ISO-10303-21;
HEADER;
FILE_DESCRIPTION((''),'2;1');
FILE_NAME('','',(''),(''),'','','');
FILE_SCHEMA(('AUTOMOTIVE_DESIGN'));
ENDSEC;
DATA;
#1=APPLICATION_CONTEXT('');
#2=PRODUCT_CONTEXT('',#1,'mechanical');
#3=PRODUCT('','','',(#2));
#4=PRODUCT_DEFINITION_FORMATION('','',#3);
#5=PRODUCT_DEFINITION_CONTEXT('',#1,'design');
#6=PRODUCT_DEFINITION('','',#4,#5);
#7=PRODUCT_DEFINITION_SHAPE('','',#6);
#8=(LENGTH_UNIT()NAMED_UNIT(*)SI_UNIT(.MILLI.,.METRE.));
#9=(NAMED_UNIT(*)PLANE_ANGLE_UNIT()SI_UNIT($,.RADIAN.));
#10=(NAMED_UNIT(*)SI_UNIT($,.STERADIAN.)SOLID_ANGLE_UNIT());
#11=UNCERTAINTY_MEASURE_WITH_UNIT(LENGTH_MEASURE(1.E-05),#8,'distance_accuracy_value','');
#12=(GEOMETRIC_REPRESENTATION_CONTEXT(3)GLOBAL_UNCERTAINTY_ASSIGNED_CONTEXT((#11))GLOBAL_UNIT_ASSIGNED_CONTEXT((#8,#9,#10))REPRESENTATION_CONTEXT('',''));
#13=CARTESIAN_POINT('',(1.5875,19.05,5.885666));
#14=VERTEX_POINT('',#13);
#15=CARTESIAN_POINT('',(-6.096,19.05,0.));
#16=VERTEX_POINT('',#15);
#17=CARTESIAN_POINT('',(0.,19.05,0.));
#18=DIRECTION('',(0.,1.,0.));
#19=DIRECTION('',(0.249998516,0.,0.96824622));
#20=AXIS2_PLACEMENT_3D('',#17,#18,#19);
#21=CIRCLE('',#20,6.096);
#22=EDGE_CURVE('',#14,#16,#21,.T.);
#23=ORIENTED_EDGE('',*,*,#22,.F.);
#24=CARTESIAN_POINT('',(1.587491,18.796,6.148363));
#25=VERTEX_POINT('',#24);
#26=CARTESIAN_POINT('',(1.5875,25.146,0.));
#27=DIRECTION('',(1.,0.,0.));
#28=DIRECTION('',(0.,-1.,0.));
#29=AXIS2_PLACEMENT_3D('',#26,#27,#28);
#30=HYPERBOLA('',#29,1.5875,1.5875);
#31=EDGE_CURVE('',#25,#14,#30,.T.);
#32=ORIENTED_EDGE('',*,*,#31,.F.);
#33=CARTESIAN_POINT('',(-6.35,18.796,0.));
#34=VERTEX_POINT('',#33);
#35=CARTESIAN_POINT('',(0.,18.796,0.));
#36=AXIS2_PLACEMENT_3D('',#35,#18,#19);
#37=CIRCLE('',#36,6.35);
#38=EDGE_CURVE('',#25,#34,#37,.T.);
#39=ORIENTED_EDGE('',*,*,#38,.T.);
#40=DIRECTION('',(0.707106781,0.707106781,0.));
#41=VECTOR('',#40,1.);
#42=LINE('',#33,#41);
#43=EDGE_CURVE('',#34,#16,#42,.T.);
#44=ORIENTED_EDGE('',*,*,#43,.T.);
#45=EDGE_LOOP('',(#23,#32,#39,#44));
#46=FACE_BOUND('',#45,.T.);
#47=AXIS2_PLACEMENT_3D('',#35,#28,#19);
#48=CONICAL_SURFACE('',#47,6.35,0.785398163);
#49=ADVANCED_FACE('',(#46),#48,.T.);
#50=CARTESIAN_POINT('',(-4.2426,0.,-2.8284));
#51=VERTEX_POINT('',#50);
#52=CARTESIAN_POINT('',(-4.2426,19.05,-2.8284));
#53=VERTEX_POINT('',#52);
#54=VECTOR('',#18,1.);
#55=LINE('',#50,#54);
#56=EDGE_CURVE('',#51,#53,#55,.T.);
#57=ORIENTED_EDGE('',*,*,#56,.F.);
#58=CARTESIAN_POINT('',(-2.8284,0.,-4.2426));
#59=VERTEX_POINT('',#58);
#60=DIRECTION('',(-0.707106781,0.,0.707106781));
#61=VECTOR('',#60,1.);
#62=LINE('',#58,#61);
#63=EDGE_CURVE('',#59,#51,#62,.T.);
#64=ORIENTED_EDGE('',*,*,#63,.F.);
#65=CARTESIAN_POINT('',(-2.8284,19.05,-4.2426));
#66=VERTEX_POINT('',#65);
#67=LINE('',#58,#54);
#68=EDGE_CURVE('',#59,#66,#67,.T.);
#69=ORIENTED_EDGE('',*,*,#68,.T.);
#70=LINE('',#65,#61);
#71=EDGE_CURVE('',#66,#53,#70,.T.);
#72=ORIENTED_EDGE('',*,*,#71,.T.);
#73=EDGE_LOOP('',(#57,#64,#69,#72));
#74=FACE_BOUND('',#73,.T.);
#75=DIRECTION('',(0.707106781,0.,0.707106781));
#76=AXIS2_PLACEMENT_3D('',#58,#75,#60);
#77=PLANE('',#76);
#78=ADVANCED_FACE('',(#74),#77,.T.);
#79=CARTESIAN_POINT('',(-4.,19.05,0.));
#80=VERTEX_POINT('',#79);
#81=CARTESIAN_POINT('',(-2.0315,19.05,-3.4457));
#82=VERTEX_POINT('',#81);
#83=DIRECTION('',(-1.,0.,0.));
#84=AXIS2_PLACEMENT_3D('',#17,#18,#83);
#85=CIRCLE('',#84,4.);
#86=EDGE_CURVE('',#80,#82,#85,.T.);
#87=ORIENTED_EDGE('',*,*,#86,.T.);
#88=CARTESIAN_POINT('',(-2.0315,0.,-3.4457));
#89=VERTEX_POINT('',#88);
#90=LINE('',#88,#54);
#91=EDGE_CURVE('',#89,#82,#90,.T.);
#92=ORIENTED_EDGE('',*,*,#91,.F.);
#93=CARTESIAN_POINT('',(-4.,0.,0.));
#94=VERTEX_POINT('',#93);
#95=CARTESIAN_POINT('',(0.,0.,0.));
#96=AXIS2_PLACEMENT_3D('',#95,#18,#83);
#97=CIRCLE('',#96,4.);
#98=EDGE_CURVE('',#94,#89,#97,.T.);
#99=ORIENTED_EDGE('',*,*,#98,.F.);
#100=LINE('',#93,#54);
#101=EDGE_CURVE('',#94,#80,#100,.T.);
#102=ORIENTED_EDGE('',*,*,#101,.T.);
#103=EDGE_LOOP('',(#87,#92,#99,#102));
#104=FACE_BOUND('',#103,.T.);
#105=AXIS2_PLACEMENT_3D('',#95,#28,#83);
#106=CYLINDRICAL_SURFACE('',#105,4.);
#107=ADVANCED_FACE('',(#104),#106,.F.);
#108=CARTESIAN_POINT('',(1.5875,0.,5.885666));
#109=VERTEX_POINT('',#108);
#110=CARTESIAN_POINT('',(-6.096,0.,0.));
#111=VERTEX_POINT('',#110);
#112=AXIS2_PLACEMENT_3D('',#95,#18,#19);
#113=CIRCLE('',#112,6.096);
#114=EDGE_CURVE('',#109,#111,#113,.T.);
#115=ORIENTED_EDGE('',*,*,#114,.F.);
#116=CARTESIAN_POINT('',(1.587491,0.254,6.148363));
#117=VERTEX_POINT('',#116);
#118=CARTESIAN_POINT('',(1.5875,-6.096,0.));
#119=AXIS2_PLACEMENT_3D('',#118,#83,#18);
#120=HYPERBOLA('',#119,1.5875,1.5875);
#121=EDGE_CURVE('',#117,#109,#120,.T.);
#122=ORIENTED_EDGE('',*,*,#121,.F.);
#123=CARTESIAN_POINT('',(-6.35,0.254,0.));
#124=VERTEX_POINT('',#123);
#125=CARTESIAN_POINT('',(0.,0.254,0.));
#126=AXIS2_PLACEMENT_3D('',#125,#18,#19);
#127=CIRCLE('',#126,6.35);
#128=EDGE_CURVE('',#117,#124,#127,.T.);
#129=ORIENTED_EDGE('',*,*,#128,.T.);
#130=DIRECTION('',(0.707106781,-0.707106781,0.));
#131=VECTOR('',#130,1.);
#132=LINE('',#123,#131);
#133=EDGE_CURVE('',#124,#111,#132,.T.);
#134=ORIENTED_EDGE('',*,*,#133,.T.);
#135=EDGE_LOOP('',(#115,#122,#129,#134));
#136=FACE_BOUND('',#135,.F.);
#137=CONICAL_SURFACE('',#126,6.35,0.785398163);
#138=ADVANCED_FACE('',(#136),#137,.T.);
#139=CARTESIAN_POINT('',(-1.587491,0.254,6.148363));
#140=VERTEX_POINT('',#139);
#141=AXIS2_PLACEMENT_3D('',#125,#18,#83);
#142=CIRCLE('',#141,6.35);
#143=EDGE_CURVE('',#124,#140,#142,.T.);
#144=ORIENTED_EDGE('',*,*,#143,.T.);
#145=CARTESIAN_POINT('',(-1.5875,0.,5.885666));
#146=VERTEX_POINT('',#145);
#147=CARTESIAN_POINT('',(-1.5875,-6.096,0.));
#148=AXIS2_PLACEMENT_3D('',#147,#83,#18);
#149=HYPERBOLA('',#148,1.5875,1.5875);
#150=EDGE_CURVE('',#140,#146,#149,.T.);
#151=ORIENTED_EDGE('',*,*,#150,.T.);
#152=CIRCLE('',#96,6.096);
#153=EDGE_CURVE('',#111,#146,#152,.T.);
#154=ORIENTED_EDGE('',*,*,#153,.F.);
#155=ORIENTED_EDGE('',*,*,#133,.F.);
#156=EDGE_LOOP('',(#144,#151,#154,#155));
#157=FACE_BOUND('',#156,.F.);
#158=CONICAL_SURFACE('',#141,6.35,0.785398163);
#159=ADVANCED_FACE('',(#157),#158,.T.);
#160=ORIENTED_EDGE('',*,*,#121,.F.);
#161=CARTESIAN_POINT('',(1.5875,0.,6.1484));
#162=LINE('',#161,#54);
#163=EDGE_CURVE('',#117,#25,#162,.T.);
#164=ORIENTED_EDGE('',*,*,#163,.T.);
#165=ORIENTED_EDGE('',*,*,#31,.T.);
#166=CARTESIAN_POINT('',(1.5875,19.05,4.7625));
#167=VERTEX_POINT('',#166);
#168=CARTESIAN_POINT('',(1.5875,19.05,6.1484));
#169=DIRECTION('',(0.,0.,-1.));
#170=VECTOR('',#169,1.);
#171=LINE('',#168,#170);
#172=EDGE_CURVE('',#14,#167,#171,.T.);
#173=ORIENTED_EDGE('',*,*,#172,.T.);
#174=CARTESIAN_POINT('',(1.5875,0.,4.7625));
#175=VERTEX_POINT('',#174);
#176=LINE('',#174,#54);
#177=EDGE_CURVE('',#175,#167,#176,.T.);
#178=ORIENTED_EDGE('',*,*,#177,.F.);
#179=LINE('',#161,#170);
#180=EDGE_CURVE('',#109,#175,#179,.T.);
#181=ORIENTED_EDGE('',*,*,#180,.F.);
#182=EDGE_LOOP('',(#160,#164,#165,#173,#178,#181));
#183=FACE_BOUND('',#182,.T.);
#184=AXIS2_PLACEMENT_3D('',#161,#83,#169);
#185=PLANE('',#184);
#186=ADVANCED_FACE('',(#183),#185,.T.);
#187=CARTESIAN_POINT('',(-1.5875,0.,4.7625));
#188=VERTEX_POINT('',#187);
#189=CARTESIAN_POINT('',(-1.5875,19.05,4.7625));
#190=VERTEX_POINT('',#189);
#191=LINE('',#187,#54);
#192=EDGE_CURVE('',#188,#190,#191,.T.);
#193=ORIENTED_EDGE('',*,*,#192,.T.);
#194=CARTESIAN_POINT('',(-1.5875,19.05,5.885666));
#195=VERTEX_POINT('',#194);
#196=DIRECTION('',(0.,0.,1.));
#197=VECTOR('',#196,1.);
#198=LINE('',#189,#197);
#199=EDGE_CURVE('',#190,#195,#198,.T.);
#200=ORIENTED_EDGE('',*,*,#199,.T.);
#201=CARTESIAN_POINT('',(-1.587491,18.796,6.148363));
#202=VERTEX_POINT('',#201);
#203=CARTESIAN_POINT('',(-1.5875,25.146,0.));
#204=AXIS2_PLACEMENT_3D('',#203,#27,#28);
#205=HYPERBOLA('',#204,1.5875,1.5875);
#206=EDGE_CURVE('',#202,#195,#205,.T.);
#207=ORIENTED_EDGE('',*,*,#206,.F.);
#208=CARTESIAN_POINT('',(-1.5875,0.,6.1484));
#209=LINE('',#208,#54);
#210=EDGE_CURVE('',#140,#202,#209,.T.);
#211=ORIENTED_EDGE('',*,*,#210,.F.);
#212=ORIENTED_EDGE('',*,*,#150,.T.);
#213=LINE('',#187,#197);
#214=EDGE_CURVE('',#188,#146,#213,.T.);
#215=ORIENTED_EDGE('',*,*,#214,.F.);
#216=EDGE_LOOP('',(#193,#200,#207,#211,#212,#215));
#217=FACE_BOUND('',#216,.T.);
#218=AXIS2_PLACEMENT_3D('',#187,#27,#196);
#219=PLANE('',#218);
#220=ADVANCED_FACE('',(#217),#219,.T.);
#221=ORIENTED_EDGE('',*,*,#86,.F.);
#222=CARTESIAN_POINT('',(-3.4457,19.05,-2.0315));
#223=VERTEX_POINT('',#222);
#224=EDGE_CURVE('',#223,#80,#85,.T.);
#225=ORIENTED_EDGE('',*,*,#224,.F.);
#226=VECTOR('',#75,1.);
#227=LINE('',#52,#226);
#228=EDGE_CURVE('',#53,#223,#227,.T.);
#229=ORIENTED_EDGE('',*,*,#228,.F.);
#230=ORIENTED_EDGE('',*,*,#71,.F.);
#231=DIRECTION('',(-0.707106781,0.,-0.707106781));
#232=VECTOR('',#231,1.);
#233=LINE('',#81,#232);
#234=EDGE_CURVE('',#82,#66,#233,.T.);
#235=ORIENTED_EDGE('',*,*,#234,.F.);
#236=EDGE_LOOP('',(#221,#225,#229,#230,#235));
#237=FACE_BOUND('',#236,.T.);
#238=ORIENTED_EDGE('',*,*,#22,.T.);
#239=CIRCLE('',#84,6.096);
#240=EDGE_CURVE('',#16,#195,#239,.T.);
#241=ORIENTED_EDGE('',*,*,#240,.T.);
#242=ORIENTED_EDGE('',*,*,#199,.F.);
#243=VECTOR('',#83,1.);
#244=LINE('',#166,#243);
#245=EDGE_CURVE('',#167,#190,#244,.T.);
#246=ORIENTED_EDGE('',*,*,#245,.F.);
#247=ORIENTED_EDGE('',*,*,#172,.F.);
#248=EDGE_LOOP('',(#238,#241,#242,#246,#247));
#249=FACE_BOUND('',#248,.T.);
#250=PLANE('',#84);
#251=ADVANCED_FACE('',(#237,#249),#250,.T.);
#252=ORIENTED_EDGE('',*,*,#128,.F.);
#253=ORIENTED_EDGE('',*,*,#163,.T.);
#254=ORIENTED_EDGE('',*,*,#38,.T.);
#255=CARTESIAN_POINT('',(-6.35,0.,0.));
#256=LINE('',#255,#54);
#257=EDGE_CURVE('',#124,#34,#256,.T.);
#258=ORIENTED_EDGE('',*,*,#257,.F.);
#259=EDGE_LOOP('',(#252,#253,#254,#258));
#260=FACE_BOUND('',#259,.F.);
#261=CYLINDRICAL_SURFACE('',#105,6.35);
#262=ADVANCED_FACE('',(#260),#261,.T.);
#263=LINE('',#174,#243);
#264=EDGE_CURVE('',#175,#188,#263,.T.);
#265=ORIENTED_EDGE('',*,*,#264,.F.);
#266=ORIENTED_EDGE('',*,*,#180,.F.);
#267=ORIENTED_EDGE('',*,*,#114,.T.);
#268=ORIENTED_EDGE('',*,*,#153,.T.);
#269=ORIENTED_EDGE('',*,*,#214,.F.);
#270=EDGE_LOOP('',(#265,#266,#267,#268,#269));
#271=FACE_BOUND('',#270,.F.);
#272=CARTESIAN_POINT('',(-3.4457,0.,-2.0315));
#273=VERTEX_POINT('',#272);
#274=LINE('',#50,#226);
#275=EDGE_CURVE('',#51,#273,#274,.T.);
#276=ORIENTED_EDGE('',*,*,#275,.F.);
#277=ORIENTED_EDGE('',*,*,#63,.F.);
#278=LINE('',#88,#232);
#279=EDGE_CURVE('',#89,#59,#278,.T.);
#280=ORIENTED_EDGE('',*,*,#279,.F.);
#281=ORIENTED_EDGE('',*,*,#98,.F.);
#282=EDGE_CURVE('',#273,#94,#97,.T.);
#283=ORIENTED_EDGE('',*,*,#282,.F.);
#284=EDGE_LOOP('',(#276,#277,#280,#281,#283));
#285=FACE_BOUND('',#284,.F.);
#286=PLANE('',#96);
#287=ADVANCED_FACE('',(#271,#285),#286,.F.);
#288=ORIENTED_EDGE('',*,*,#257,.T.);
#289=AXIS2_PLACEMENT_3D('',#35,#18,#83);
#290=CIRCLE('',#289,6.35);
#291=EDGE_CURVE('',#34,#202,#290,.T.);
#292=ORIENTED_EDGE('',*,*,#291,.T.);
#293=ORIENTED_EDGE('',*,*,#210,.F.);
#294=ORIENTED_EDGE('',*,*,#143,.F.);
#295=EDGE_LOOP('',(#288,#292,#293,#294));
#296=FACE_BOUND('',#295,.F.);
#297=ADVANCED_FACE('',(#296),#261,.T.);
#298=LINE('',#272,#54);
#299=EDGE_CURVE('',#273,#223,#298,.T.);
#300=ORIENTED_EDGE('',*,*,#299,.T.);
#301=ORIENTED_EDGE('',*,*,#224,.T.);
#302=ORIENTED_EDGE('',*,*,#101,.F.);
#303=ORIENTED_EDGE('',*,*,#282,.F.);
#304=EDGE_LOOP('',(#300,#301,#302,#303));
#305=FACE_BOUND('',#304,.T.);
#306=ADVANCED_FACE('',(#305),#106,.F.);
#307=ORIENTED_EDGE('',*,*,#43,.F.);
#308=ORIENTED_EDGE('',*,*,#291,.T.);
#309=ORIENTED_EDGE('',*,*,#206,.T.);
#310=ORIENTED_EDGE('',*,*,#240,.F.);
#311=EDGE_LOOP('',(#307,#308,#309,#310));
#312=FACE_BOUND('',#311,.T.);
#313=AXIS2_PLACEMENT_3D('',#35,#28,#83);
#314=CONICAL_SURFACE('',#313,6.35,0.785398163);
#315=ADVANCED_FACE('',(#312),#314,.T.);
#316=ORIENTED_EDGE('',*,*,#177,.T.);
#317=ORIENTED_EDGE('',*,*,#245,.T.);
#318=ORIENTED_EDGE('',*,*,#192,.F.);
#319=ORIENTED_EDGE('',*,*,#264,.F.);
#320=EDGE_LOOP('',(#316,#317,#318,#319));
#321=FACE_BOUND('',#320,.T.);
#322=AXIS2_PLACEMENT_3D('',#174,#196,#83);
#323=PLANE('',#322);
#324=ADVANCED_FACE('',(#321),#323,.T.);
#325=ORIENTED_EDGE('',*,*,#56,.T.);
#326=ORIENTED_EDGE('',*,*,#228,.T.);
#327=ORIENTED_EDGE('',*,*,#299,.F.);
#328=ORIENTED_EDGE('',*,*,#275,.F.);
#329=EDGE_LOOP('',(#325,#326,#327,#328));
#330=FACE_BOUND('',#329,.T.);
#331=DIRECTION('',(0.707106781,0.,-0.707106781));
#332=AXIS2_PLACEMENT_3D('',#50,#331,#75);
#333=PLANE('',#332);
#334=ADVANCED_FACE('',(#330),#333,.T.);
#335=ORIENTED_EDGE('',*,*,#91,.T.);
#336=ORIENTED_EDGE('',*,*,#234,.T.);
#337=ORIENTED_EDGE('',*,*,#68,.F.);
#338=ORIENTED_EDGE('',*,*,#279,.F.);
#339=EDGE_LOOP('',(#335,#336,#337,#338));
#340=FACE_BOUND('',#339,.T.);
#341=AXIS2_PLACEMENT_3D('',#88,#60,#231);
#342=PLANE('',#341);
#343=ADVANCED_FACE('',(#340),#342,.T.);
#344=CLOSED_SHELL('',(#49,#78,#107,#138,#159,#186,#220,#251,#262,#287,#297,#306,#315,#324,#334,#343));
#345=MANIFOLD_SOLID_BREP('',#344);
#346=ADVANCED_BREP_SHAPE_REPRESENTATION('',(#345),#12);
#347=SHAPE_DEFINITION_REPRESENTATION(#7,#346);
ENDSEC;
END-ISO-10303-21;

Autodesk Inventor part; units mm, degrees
ref_plane "YZ Plane" through (0, 0, 0) normal (1, 0, 0) x (0, 1, 0)
ref_plane "XZ Plane" through (0, 0, 0) normal (0, 1, 0) x (-1, 0, 0)
ref_plane "XY Plane" through (0, 0, 0) normal (0, 0, 1) x (1, 0, 0)
sketch "Sketch1" plane through (0, 0, 0) normal (0, 1, 0) x (-1, 0, 0)
  circle A0 centre (0, 0) radius 6.35
  circle A1 centre (0, 0) radius 4
  line L0 (-1.5875, 6.1484) -> (-1.5875, 4.7625)
  line L1 (-1.5875, 4.7625) -> (1.5875, 4.7625)
  line L2 (1.5875, 4.7625) -> (1.5875, 6.1484)
  line L3 (0, 6.35) -> (0, 0) construction
  line L4 (0, 0) -> (4.4901, -4.4901) construction
  line L5 (0, 0) -> (6.35, 0) construction
  line L6 (2.0315, -3.4457) -> (2.8284, -4.2426)
  line L7 (2.8284, -4.2426) -> (4.2426, -2.8284)
  line L8 (4.2426, -2.8284) -> (3.4457, -2.0315)
  line L9 (2.8284, -2.8284) -> (3.5355, -3.5355) construction
  point P0 (0, 4.7625)
  dimension "d0" = 12.7
  dimension "d1" = 8
  dimension "d4" = 3.175
  dimension "d5" = 45
  dimension "d6" = 2
  dimension "d8" = 1.5875
  dimension "d9" = 1
extrude "Extrusion1" add sketch "Sketch1" along normal blind 19.05 contours A0 L0 L1 L2 picked at (1.2402, -5.3906)
chamfer "Chamfer1" distance 0.254 angle 45 2 edges at (0, 19.05, -6.35) (0, 0, -6.35)
properties part number "0.5 inch Shaft to 8mm Shaft Insert" material "Aluminum 6061"
